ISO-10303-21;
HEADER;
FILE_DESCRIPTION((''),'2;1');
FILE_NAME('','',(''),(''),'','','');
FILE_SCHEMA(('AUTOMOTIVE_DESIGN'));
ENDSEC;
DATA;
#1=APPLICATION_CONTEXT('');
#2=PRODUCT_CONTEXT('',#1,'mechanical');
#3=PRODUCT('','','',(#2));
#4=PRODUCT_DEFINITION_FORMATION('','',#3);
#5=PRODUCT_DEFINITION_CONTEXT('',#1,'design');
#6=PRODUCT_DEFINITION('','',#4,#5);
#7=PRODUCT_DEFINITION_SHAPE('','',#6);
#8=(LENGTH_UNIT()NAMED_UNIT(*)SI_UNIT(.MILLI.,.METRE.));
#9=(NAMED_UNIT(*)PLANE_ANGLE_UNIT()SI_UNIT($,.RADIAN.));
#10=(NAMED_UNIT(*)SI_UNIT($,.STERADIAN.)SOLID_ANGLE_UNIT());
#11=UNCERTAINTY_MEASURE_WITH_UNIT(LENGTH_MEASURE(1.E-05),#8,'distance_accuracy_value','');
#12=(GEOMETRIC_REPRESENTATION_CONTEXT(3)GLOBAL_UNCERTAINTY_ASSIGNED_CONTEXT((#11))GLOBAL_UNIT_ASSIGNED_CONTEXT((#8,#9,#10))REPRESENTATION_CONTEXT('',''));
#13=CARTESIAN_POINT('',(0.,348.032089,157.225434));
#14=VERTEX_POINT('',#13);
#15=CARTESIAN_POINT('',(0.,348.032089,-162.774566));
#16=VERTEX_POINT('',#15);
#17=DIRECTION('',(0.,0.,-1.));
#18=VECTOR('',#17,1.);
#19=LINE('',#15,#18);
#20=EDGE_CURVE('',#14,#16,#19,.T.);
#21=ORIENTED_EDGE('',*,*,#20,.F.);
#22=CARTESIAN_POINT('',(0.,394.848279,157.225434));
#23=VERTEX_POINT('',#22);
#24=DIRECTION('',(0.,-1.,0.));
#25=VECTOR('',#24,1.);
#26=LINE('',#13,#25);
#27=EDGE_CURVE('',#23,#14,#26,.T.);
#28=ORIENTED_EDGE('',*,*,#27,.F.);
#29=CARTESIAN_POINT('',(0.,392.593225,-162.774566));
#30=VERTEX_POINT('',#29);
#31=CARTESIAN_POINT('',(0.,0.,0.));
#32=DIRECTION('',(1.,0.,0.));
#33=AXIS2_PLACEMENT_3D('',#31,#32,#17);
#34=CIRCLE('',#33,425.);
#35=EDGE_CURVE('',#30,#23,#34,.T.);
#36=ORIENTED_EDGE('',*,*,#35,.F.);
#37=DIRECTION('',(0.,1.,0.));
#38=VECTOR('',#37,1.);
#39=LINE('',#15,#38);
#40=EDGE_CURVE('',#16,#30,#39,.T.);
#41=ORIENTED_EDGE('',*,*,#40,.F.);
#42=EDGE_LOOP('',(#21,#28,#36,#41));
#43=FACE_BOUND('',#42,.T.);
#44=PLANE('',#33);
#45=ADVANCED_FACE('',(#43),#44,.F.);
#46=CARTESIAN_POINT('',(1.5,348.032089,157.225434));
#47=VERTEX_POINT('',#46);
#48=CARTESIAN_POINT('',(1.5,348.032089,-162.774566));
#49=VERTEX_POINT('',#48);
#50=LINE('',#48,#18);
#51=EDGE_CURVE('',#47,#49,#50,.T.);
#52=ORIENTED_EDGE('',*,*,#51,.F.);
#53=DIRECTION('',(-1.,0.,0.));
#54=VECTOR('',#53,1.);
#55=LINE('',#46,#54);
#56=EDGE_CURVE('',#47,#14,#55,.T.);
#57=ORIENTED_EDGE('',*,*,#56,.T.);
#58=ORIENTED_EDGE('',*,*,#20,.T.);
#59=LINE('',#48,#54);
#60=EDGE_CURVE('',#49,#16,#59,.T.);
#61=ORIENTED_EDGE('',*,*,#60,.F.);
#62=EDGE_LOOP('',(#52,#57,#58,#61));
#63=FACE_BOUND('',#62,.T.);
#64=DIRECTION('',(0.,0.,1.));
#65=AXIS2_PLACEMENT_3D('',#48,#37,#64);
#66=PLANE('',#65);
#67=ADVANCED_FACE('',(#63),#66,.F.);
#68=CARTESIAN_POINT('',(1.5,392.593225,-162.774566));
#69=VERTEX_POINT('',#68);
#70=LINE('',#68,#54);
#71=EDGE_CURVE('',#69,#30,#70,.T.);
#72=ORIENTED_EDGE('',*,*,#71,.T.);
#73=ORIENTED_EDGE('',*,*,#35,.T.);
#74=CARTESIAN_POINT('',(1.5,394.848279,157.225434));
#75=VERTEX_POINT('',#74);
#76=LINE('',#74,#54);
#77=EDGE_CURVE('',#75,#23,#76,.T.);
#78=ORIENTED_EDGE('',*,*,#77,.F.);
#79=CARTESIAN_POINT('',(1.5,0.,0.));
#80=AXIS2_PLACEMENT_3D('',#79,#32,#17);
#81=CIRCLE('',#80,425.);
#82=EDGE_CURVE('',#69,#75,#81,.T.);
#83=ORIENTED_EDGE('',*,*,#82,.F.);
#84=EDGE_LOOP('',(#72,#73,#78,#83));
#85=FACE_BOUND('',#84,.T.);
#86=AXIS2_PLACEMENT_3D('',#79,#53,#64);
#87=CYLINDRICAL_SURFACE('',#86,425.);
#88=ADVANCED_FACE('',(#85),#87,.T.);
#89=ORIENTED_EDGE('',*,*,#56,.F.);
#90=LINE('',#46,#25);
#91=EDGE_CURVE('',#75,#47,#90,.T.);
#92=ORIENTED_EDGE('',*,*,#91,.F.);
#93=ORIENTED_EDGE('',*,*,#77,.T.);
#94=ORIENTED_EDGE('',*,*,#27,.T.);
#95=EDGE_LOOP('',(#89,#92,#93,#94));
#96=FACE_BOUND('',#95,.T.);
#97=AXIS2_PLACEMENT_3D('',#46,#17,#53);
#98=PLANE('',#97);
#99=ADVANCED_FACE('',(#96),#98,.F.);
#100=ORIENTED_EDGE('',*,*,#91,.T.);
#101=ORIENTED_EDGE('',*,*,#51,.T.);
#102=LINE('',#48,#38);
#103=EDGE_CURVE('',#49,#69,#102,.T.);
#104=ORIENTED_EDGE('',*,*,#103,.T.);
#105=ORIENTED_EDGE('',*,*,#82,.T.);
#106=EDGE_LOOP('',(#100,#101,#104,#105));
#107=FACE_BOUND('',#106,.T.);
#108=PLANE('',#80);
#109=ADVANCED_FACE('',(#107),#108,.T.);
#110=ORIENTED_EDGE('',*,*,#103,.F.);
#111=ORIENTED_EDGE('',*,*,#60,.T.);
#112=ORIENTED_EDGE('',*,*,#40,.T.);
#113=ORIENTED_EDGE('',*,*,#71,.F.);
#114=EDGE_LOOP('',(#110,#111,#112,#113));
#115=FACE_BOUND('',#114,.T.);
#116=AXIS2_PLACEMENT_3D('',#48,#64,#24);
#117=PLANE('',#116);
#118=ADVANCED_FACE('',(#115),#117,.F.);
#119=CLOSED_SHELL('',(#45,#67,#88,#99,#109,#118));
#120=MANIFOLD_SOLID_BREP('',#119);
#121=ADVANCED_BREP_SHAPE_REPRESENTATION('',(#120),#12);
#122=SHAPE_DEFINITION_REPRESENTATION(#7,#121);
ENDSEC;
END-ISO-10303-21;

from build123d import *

# Parameters (mm, degrees)
BOSS_EXTRUDE1_DEPTH = 1.5


with BuildPart() as part:
    # Sketch1 → Boss-Extrude1 (new body)
    with BuildSketch(Plane(origin=(0, 0, 0), x_dir=(0, 0, -1), z_dir=(1, 0, 0))):
        with BuildLine():
            Line((162.774566474, 348.032089203), (-157.225433526, 348.032089203))
            Line((-157.225433526, 348.032089203), (-157.225433526, 394.848278523))
            ThreePointArc((-157.225433526, 394.848278523), (2.994918269, 424.989447474), (162.774566474, 392.593225246))
            Line((162.774566474, 392.593225246), (162.774566474, 348.032089203))
        make_face()
    extrude(amount=BOSS_EXTRUDE1_DEPTH)


solid = part.part
